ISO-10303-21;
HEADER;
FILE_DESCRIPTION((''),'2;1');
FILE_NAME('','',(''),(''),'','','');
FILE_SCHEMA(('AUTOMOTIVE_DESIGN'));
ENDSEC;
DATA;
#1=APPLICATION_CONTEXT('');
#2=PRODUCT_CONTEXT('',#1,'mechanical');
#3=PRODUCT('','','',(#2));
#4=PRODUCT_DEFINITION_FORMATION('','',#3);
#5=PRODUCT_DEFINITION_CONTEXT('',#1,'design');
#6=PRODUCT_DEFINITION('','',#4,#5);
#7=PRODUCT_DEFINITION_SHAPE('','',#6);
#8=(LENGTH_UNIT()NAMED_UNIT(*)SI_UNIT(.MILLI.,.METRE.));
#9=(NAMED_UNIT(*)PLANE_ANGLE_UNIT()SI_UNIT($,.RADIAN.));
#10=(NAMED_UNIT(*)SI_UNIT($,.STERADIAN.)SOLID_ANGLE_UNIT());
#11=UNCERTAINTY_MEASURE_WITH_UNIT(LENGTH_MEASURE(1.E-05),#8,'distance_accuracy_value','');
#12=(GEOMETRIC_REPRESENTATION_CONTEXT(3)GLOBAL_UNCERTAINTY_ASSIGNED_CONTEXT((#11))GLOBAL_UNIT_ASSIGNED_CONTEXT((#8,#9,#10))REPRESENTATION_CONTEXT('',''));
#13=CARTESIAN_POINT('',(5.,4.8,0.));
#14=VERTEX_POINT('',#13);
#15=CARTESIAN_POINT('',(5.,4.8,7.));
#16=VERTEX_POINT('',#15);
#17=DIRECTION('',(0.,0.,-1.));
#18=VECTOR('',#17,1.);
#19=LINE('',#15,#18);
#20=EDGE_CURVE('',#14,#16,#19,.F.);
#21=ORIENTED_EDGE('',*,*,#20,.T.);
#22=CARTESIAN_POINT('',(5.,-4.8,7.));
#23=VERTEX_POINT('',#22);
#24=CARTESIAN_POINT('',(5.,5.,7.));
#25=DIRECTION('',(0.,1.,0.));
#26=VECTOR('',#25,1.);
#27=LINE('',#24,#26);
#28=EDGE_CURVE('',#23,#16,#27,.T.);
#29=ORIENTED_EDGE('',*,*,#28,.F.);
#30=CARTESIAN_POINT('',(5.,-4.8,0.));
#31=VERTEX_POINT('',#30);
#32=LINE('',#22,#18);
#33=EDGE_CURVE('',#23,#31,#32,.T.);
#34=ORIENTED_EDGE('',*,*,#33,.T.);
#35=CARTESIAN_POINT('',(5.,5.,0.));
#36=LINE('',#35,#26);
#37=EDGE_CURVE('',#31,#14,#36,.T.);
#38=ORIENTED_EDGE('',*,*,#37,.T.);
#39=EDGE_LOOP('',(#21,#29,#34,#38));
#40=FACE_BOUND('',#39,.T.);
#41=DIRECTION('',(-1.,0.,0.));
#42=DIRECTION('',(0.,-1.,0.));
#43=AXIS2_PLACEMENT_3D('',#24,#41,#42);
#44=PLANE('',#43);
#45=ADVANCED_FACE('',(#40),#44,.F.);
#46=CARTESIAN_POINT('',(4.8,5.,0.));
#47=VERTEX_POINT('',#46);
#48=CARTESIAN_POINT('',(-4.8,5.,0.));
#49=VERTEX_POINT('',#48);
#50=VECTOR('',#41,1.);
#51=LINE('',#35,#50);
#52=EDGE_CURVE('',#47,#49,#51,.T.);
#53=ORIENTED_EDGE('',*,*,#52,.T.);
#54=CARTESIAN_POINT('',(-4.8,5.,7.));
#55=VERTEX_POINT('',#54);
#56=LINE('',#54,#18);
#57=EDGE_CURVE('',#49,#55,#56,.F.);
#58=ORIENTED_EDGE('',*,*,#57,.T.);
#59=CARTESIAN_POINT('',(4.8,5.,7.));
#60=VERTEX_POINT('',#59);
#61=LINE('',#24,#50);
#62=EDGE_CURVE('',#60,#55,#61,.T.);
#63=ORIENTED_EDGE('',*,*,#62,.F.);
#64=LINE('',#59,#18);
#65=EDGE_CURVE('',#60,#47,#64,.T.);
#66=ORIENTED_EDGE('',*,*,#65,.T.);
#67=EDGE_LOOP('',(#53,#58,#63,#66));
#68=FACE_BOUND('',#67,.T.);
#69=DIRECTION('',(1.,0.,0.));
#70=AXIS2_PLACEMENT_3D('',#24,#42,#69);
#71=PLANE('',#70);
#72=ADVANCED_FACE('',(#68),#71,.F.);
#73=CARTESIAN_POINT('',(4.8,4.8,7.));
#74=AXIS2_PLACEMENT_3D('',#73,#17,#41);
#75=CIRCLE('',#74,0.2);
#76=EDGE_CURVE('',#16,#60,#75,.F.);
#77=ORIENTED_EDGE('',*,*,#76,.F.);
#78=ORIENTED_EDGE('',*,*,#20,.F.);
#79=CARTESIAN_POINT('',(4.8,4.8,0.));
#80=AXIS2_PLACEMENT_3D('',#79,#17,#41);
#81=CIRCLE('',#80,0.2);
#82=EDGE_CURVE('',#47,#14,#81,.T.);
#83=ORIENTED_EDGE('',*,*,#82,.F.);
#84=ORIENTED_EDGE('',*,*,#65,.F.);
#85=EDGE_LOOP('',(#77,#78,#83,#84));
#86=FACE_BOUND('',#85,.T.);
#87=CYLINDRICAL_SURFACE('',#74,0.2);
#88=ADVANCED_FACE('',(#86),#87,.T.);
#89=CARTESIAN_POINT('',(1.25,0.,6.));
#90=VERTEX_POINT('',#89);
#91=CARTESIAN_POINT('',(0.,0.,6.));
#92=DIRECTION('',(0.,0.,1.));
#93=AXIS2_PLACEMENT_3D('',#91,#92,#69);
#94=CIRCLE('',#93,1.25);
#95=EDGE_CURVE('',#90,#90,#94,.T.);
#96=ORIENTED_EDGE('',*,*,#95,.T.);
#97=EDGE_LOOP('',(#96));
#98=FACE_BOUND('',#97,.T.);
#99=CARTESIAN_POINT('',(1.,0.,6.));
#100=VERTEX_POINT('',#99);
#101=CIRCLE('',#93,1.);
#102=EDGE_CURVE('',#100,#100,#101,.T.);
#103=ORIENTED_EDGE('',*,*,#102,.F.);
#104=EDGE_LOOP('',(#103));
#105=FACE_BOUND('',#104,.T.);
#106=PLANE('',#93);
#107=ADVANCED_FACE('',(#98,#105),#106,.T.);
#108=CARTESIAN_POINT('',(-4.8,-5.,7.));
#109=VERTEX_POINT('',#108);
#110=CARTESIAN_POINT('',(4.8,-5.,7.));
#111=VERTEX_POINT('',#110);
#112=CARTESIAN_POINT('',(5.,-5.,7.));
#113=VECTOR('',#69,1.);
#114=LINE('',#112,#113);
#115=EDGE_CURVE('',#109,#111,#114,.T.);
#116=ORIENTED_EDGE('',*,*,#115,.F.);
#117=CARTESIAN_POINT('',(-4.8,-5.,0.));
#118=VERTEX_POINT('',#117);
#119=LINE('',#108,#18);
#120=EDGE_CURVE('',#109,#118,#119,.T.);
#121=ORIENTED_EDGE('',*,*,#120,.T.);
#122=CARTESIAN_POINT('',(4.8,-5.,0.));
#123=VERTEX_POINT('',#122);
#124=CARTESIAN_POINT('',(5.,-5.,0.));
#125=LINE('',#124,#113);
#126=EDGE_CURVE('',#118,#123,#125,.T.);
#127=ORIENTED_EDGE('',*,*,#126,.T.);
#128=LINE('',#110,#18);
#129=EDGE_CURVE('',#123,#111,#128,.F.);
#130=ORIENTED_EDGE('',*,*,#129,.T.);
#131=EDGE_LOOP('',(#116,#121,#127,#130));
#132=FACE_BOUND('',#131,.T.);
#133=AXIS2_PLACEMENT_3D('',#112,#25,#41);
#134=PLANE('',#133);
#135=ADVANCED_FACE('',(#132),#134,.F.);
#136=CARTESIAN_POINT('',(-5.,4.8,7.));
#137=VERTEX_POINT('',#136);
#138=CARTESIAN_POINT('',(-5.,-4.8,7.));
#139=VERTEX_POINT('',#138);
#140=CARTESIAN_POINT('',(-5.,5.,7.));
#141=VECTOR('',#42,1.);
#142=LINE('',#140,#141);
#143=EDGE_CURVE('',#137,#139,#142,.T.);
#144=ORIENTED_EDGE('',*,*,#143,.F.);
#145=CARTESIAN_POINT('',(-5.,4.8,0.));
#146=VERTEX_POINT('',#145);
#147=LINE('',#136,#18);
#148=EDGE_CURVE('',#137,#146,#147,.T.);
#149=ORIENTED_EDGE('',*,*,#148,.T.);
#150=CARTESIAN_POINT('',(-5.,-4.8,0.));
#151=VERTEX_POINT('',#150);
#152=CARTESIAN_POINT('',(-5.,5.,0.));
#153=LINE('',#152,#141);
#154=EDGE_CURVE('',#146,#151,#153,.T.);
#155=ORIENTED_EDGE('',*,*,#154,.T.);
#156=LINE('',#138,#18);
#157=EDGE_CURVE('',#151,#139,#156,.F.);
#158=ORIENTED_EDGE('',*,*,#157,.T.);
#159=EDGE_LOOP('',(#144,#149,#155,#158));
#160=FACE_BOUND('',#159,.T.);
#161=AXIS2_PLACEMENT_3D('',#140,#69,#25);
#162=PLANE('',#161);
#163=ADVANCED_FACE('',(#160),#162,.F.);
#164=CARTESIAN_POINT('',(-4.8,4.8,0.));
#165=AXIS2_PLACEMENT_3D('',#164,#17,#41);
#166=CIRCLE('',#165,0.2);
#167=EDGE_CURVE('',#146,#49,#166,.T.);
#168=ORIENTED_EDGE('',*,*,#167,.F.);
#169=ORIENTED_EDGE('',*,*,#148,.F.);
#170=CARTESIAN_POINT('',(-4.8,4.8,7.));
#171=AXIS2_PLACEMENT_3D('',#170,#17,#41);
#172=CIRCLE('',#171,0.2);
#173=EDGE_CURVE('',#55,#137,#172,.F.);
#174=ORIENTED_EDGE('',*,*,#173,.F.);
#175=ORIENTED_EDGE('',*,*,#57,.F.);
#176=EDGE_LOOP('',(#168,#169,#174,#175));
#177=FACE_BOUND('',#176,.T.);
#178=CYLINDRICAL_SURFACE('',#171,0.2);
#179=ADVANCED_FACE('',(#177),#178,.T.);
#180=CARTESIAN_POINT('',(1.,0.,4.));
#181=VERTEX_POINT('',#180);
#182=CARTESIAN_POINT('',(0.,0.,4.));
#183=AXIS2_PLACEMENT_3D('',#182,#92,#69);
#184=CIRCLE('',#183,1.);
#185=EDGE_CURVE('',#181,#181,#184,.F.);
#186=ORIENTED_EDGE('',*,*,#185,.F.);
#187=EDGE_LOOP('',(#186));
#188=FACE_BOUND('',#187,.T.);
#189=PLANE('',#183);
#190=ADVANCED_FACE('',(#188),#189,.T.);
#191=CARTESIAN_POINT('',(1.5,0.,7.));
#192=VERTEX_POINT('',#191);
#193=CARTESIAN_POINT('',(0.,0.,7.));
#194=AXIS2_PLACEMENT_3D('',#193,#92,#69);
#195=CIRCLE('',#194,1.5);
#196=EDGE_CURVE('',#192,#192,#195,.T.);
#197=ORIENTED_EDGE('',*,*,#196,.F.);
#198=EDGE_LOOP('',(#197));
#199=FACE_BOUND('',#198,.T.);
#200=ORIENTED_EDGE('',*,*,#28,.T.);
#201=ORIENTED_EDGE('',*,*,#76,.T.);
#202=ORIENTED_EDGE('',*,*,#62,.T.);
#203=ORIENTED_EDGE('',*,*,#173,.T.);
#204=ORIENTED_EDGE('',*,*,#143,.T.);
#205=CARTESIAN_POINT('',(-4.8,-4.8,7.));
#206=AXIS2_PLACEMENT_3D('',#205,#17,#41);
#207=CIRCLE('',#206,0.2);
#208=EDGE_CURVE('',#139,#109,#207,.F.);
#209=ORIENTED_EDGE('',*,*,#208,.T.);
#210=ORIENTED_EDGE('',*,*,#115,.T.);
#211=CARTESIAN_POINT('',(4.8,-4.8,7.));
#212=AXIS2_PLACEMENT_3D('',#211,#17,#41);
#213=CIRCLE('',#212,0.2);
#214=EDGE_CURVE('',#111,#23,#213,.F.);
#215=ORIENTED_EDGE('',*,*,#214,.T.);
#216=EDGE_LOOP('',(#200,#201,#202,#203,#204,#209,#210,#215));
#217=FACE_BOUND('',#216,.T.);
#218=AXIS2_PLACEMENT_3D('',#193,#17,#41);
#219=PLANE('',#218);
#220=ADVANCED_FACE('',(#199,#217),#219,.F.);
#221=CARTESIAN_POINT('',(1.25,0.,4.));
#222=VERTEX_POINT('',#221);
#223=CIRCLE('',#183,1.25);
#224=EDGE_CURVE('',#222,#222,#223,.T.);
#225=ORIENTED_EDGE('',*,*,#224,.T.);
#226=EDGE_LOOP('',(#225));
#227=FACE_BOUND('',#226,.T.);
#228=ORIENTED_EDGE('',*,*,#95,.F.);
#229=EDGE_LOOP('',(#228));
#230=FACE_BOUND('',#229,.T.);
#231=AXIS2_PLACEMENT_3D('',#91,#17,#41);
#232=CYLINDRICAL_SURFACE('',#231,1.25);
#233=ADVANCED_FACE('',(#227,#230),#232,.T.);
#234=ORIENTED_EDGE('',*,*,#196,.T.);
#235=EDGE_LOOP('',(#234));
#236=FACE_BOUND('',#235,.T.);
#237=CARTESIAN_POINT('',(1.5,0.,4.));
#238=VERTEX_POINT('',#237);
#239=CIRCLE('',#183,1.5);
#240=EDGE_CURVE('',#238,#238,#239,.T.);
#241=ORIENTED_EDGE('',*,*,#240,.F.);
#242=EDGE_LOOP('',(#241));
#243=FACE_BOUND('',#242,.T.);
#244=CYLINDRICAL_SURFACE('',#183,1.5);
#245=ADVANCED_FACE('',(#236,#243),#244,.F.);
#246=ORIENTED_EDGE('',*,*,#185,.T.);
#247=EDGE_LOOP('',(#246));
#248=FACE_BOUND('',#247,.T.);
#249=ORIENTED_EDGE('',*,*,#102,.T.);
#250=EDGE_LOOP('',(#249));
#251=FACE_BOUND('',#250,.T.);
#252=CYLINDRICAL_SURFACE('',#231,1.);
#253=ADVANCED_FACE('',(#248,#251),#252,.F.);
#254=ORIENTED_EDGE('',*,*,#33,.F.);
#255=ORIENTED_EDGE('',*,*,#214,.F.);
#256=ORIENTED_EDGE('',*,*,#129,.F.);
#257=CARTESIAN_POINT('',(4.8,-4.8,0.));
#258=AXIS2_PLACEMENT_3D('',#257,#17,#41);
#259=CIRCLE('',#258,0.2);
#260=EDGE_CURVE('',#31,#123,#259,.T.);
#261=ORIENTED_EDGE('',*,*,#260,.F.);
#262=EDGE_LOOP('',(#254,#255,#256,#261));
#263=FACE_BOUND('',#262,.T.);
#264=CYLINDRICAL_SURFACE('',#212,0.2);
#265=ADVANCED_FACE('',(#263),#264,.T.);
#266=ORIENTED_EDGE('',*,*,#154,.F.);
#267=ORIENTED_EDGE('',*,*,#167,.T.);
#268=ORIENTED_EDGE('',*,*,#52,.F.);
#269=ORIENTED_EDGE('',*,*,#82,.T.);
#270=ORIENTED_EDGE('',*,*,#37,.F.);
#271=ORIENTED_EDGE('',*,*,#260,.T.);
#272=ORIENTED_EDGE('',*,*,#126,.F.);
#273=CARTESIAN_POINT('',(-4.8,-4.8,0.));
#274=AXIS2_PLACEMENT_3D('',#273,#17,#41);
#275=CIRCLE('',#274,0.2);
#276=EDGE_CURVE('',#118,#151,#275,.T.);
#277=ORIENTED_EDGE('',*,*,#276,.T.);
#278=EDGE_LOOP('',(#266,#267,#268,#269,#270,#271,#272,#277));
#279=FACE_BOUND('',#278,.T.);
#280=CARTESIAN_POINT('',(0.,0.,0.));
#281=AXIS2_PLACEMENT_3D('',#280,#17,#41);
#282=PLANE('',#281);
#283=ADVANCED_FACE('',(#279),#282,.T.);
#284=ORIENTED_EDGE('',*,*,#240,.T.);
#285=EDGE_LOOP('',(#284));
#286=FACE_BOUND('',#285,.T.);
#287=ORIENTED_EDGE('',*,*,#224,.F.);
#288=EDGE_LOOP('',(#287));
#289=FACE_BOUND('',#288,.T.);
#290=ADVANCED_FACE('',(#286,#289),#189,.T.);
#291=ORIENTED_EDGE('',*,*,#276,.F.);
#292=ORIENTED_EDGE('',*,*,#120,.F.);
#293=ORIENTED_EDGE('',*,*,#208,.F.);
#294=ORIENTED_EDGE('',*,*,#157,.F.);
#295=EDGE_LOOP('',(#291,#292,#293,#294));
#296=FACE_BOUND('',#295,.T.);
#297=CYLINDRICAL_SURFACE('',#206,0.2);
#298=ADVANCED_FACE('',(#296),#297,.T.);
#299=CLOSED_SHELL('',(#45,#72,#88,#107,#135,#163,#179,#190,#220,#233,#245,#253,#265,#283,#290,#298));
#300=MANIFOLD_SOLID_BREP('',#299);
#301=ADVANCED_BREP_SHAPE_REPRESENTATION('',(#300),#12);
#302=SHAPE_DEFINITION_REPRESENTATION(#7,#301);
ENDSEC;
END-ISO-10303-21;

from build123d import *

# Parameters (mm, degrees)
SKETCH1_W           = 10
SKETCH1_H           = 10
BOSS_EXTRUDE1_DEPTH = 7
SKETCH2_R           = 1.5
CUT_EXTRUDE1_DEPTH  = 3
SKETCH3_R           = 1.25
SKETCH3_R_2         = 1
BOSS_EXTRUDE2_DEPTH = 2
FILLET1_R           = 0.2


with BuildPart() as part:
    # Sketch1 → Boss-Extrude1 (new body)
    with BuildSketch(Plane.XY):
        Rectangle(SKETCH1_W, SKETCH1_H)
    extrude(amount=BOSS_EXTRUDE1_DEPTH)

    # Sketch2 → Cut-Extrude1 (cut)
    with BuildSketch(Plane.XY.offset(7)):
        Circle(SKETCH2_R)
    extrude(amount=-CUT_EXTRUDE1_DEPTH, mode=Mode.SUBTRACT)

    # Sketch3 → Boss-Extrude2 (add)
    with BuildSketch(Plane.XY.offset(4)):
        Circle(SKETCH3_R)
        Circle(SKETCH3_R_2, mode=Mode.SUBTRACT)
    extrude(amount=BOSS_EXTRUDE2_DEPTH)

    # Fillet1
    fillet1_edges = [part.edges().sort_by_distance(p)[0] for p in [
        (-5, 5, 3.5),
        (5, 5, 3.5),
        (5, -5, 3.5),
        (-5, -5, 3.5),
    ]]
    fillet(fillet1_edges, radius=FILLET1_R)


solid = part.part
